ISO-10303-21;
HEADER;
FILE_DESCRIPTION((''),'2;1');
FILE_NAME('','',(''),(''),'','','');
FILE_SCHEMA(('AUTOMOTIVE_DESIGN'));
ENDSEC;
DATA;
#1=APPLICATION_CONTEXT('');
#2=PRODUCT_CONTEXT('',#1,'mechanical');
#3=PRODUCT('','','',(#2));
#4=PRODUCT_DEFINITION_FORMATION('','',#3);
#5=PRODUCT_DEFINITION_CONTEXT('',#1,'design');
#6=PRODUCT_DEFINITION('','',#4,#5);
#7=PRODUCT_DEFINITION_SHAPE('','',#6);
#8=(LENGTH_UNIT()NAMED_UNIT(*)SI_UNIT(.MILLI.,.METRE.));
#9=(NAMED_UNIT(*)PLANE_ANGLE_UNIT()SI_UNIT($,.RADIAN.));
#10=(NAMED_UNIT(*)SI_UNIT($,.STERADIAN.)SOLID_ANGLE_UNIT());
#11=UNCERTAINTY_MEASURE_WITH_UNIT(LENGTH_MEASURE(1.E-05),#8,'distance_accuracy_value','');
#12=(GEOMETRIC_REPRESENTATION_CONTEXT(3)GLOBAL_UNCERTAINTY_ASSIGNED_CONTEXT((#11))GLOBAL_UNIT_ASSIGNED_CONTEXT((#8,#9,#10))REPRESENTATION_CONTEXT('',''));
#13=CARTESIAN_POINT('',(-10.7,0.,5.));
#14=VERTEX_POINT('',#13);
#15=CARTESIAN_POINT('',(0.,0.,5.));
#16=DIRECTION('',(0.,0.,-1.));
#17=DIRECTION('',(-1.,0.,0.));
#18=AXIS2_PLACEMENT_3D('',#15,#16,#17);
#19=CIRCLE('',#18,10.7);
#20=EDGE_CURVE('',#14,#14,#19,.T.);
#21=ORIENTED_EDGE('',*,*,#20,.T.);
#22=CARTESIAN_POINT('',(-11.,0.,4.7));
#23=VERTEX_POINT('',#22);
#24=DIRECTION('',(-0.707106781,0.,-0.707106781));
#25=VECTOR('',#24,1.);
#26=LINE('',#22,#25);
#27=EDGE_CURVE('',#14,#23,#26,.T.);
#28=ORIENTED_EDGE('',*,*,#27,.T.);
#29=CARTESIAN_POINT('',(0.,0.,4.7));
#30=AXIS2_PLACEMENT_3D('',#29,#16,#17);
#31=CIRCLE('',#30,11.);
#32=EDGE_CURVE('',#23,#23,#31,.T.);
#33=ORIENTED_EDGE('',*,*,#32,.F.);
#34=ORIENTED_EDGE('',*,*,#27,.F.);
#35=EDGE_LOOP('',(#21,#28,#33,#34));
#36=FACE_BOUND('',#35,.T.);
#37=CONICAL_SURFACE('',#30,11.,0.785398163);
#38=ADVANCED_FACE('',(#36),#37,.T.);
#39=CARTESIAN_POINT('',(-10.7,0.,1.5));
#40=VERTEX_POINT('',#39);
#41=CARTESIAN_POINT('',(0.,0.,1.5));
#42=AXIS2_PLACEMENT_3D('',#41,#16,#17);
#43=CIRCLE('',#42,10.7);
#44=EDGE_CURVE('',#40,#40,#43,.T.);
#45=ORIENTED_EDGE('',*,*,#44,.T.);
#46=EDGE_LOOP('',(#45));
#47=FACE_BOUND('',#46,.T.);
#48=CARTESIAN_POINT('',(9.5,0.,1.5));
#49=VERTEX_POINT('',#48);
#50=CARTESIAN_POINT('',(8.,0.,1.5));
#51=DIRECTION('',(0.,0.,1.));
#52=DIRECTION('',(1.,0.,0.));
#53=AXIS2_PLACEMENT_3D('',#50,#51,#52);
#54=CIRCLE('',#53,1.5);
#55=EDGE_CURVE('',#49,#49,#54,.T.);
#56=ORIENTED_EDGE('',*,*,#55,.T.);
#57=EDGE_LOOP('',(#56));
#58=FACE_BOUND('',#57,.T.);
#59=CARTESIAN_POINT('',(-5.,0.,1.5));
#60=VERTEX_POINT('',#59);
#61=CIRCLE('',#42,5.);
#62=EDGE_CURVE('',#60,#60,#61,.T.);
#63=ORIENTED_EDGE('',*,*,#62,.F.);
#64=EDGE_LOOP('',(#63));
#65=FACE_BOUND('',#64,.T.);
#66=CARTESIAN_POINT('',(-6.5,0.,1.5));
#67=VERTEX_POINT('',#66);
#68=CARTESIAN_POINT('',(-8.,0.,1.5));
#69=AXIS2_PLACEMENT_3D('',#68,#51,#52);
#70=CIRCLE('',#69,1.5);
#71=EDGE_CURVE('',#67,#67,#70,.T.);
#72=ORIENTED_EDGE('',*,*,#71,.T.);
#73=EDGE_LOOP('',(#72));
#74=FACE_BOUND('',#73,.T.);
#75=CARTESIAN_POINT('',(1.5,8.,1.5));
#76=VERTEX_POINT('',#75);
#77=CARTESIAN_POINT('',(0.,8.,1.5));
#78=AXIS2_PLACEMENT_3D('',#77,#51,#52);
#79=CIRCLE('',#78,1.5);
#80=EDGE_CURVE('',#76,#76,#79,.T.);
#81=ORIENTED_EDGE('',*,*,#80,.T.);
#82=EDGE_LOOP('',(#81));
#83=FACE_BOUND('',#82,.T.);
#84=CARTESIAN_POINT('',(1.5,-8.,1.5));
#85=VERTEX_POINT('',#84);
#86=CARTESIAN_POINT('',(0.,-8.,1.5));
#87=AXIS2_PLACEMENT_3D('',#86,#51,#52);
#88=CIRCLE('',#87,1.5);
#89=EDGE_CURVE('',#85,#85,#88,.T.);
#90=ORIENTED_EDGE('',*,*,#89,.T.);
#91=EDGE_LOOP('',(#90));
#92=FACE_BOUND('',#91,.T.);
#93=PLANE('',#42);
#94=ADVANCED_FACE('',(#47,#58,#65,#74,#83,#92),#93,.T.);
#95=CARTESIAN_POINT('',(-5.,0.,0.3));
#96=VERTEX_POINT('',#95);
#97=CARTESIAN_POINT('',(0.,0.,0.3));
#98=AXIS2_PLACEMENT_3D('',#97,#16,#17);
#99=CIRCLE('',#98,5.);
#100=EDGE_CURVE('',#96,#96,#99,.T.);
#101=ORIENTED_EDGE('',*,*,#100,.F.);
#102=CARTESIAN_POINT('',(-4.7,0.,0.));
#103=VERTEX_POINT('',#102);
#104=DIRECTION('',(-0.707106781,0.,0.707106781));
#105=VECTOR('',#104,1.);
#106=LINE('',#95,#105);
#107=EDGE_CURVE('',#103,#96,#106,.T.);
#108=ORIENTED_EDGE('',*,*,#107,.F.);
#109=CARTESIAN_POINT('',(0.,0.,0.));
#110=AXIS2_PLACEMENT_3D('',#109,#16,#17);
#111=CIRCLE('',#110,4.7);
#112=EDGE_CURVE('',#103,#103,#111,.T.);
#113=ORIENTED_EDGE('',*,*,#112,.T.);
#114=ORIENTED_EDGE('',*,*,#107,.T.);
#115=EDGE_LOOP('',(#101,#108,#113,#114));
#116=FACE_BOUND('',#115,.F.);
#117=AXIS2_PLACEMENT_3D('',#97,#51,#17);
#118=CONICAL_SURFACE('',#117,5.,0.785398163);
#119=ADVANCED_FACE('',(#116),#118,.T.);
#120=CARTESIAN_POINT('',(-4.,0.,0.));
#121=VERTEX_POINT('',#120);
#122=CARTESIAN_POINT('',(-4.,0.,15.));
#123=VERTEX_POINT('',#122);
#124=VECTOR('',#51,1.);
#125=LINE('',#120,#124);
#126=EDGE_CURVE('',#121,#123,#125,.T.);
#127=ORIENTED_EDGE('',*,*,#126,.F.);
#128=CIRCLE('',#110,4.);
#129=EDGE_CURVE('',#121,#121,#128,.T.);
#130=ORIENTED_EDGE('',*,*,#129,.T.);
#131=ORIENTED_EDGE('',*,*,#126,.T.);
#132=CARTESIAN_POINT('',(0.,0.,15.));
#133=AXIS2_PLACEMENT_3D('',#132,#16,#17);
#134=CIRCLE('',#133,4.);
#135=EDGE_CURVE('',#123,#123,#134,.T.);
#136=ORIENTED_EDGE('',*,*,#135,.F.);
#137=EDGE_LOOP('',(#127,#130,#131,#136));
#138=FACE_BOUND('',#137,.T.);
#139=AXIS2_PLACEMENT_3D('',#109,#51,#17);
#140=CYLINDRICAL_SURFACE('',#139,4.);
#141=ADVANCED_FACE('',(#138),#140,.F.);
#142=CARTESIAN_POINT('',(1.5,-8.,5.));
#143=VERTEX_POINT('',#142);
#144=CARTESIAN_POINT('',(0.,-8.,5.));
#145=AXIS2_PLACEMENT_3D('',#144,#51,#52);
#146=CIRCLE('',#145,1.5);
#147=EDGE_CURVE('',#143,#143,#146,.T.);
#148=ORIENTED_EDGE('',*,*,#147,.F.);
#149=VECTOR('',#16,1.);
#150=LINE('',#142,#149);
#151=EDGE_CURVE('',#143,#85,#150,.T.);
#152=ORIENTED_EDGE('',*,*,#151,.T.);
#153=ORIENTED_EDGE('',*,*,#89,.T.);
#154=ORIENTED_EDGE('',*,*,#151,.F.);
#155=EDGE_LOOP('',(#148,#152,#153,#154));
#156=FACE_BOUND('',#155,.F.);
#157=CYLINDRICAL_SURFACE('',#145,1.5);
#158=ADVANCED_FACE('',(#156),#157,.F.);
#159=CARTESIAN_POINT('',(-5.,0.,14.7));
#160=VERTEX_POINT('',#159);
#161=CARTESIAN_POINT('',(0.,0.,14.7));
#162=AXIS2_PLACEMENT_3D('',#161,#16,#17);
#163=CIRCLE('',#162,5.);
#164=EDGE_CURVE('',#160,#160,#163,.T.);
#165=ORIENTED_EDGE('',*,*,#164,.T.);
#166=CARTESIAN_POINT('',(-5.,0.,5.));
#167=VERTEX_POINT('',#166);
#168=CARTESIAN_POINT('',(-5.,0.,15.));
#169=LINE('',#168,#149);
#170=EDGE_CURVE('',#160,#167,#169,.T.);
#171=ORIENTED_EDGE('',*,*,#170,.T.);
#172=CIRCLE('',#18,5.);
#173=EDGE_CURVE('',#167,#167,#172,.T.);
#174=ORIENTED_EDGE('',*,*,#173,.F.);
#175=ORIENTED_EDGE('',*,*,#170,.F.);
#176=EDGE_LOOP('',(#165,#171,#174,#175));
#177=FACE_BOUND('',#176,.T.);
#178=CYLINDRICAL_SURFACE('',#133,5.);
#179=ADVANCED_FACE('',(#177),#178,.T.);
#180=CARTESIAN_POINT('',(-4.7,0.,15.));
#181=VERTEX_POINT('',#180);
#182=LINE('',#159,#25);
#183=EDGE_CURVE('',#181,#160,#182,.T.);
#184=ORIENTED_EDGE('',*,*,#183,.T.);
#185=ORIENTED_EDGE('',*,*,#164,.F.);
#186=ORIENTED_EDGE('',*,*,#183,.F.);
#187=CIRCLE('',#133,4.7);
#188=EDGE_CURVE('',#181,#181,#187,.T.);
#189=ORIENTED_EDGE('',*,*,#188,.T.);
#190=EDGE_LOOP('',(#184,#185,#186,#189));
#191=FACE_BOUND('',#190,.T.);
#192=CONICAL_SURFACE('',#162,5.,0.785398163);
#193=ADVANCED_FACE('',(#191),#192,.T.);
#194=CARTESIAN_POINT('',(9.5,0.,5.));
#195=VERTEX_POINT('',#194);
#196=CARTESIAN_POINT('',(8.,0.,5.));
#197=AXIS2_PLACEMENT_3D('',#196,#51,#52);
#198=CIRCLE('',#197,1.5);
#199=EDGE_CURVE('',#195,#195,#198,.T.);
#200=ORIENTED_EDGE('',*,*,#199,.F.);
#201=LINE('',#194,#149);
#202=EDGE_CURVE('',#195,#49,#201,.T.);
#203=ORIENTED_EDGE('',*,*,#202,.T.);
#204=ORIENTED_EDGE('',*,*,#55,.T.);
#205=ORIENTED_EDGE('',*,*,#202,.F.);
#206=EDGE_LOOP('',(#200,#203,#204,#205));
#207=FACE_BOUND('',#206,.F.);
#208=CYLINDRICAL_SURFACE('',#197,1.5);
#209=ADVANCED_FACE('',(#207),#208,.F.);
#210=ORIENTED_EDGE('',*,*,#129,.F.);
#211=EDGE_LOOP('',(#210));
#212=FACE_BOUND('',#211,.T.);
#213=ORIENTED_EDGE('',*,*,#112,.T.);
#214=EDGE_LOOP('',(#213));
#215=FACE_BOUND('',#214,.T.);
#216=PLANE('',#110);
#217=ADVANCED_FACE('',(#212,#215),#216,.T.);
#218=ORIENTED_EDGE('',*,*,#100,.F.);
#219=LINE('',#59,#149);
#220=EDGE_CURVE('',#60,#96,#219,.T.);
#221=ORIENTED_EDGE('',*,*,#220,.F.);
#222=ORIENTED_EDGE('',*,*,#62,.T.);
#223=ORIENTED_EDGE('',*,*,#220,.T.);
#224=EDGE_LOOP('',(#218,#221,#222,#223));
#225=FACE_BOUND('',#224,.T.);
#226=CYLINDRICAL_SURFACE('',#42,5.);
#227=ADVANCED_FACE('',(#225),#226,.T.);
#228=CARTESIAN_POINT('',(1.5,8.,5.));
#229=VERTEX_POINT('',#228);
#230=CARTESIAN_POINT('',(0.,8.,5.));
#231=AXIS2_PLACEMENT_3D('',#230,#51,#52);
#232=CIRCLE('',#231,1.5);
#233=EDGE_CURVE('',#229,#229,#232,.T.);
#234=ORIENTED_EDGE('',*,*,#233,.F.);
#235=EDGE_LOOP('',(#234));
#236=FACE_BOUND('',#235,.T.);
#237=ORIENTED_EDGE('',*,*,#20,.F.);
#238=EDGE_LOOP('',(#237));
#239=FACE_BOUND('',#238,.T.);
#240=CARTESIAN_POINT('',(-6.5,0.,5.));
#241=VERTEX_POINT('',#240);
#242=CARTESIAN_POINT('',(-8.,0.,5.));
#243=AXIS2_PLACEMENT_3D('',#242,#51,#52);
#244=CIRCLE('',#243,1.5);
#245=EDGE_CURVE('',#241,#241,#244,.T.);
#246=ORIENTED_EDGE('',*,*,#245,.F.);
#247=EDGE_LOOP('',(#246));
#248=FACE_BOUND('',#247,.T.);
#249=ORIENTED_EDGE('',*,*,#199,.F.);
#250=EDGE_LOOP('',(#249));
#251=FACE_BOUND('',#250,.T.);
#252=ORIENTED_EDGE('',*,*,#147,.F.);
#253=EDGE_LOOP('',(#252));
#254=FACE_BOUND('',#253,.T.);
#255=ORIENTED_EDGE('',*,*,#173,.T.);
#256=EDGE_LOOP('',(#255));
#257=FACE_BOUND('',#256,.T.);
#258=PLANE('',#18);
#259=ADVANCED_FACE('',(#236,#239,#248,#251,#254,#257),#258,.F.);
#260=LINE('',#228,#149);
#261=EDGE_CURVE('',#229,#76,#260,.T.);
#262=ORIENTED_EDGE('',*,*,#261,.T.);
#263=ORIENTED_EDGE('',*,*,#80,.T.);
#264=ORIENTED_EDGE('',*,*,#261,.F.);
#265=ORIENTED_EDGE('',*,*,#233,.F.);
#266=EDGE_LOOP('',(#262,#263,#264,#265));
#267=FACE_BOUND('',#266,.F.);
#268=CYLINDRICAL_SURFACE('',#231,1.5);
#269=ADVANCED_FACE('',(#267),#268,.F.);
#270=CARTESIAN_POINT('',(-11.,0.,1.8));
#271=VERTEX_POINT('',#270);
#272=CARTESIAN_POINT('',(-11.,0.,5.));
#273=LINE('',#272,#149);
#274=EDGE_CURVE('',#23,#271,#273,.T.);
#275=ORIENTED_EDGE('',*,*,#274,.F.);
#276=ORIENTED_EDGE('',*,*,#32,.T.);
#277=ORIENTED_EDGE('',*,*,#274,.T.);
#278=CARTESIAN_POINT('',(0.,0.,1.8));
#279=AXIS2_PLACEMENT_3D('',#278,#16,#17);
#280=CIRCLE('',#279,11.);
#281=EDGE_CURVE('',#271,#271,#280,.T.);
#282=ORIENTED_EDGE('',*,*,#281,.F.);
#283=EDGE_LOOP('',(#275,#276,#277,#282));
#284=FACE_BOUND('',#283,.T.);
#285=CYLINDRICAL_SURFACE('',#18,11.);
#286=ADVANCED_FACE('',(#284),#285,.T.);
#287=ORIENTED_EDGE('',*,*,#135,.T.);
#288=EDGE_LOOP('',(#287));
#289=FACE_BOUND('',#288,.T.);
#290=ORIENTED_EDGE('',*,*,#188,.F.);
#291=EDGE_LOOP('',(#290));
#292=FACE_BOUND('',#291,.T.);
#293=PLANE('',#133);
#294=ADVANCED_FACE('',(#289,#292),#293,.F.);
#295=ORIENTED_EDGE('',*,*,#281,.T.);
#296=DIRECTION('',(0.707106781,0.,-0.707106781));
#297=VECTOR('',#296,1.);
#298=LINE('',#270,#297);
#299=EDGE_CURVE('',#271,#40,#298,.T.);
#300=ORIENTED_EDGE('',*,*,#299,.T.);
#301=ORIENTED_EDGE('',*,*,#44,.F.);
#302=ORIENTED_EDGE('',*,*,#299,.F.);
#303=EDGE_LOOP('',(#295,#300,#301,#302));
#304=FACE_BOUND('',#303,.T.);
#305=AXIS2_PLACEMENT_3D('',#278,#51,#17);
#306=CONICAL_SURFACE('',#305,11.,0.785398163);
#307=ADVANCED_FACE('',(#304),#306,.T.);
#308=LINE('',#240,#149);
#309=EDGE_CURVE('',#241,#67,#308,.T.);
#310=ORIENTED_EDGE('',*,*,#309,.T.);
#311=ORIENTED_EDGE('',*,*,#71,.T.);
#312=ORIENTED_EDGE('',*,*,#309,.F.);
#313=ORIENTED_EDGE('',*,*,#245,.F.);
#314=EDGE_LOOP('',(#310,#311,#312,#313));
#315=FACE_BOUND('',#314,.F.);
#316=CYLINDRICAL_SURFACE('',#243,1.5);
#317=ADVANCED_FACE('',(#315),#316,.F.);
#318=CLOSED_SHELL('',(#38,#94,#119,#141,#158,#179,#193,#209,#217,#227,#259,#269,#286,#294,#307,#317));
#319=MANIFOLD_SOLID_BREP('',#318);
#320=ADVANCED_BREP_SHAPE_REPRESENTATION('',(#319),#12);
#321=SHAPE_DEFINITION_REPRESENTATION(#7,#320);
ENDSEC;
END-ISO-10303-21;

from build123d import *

# Parameters (mm, degrees)
F2_SIZE  = 0.3
F3_R     = 1.5
F4_DEPTH = 25


with BuildPart() as f1:
    # F0 (on Front) → F1 (revolve)
    with BuildSketch(Plane.XZ):
        Polygon((-5, 0), (-4, 0), (-4, 15), (-5, 15), (-5, 5), (-11, 5), (-11, 1.5), (-5, 1.5), align=None)
    revolve(axis=Axis((0, 0, -3.111579), (0, 0, -1)))

    # F2
    f2_edges = [f1.edges().sort_by_distance(p)[0] for p in [
        (11, 0, 5),
        (5, 0, 15),
        (11, 0, 1.5),
        (5, 0, 0),
    ]]
    chamfer(f2_edges, length=F2_SIZE)

    # F3 (on face) → F4 (cut)
    with BuildSketch(Plane.XY.offset(5)):
        with Locations((0, 8)):
            Circle(F3_R)
        with Locations((-8, 0)):
            Circle(F3_R)
        with Locations((0, -8)):
            Circle(F3_R)
        with Locations((8, 0)):
            Circle(F3_R)
    extrude(amount=-F4_DEPTH, mode=Mode.SUBTRACT)


solid = f1.part
